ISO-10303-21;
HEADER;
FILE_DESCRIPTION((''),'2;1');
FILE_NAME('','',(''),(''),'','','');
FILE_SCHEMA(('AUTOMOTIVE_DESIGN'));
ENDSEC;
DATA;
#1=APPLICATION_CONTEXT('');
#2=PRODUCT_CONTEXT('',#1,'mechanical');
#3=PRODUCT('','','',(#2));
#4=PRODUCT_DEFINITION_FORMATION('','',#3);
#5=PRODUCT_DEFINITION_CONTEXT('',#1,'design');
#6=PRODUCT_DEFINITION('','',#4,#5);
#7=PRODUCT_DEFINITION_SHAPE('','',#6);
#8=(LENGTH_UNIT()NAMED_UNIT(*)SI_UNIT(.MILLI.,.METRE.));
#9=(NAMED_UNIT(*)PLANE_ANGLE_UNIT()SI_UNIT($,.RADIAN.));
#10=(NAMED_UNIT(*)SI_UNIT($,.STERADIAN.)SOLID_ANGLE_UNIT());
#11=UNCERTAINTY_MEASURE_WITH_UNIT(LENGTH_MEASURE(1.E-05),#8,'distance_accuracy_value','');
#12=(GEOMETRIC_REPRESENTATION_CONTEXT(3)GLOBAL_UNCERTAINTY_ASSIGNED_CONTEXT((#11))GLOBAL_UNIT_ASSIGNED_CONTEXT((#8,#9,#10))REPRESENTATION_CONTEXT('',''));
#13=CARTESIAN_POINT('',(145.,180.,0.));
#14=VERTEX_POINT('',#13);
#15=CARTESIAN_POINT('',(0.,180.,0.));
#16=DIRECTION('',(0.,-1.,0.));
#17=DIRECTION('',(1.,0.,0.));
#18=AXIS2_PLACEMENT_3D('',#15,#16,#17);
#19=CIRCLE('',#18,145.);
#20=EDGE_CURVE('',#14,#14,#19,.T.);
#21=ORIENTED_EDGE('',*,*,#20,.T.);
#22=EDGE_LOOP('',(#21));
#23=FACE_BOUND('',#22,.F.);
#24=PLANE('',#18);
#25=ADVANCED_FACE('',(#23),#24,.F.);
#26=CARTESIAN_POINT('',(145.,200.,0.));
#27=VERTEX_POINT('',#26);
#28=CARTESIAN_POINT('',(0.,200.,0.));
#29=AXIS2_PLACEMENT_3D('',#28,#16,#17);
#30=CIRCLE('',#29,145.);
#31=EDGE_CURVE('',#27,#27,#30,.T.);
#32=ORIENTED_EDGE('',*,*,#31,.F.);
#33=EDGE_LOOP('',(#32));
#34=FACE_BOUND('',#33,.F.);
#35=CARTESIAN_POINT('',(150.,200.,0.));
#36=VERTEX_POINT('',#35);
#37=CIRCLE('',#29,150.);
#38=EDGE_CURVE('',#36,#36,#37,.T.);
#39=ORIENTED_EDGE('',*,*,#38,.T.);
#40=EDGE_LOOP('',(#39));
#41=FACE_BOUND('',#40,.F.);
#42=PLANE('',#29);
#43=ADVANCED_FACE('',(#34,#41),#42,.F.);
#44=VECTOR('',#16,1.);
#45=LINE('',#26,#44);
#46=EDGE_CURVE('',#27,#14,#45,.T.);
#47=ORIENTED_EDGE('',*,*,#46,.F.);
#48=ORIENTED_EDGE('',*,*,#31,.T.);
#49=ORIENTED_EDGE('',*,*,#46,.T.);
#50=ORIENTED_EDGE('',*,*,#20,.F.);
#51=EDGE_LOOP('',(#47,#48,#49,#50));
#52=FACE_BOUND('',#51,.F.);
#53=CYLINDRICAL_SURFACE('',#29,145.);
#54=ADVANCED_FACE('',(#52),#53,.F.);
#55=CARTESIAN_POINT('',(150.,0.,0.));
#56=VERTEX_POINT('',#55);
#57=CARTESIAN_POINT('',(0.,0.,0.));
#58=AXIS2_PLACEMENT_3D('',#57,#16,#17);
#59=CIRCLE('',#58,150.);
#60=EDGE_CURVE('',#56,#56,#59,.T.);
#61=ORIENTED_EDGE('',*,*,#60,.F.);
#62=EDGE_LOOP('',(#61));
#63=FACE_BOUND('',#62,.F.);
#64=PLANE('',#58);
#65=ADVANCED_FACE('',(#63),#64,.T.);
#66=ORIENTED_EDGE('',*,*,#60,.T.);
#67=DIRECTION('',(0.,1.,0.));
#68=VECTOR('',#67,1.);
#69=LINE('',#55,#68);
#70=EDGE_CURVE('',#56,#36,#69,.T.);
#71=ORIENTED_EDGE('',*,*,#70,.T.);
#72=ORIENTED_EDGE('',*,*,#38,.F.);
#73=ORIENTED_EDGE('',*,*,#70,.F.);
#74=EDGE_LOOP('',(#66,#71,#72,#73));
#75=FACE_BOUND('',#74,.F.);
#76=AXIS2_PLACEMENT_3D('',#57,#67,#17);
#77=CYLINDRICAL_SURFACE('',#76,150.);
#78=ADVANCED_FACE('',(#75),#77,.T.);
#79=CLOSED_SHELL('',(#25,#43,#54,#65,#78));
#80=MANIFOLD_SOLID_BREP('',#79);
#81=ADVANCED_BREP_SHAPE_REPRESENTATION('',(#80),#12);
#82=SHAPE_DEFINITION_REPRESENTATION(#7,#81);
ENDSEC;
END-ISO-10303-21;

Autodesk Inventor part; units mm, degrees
ref_plane "YZ Plane" through (0, 0, 0) normal (1, 0, 0) x (0, 1, 0)
ref_plane "XZ Plane" through (0, 0, 0) normal (0, 1, 0) x (-1, 0, 0)
ref_plane "XY Plane" through (0, 0, 0) normal (0, 0, 1) x (1, 0, 0)
sketch "Sketch1" plane through (0, 0, 0) normal (0, 0, 1) x (1, 0, 0)
  line L0 (0, 0) -> (150, 0)
  line L1 (150, 0) -> (150, 200)
  line L2 (150, 200) -> (145, 200)
  line L3 (145, 200) -> (145, 180)
  line L4 (145, 180) -> (0, 180)
  line L5 (0, 180) -> (0, 0)
  dimension "d0" = 300
  dimension "d1" = 200
  dimension "d2" = 5
  dimension "d3" = 20
revolve "Revolution1" add sketch "Sketch1" angle 360 about axis through (0, 180, 0) along (0, -1, 0)
properties part number "Honeypot"
